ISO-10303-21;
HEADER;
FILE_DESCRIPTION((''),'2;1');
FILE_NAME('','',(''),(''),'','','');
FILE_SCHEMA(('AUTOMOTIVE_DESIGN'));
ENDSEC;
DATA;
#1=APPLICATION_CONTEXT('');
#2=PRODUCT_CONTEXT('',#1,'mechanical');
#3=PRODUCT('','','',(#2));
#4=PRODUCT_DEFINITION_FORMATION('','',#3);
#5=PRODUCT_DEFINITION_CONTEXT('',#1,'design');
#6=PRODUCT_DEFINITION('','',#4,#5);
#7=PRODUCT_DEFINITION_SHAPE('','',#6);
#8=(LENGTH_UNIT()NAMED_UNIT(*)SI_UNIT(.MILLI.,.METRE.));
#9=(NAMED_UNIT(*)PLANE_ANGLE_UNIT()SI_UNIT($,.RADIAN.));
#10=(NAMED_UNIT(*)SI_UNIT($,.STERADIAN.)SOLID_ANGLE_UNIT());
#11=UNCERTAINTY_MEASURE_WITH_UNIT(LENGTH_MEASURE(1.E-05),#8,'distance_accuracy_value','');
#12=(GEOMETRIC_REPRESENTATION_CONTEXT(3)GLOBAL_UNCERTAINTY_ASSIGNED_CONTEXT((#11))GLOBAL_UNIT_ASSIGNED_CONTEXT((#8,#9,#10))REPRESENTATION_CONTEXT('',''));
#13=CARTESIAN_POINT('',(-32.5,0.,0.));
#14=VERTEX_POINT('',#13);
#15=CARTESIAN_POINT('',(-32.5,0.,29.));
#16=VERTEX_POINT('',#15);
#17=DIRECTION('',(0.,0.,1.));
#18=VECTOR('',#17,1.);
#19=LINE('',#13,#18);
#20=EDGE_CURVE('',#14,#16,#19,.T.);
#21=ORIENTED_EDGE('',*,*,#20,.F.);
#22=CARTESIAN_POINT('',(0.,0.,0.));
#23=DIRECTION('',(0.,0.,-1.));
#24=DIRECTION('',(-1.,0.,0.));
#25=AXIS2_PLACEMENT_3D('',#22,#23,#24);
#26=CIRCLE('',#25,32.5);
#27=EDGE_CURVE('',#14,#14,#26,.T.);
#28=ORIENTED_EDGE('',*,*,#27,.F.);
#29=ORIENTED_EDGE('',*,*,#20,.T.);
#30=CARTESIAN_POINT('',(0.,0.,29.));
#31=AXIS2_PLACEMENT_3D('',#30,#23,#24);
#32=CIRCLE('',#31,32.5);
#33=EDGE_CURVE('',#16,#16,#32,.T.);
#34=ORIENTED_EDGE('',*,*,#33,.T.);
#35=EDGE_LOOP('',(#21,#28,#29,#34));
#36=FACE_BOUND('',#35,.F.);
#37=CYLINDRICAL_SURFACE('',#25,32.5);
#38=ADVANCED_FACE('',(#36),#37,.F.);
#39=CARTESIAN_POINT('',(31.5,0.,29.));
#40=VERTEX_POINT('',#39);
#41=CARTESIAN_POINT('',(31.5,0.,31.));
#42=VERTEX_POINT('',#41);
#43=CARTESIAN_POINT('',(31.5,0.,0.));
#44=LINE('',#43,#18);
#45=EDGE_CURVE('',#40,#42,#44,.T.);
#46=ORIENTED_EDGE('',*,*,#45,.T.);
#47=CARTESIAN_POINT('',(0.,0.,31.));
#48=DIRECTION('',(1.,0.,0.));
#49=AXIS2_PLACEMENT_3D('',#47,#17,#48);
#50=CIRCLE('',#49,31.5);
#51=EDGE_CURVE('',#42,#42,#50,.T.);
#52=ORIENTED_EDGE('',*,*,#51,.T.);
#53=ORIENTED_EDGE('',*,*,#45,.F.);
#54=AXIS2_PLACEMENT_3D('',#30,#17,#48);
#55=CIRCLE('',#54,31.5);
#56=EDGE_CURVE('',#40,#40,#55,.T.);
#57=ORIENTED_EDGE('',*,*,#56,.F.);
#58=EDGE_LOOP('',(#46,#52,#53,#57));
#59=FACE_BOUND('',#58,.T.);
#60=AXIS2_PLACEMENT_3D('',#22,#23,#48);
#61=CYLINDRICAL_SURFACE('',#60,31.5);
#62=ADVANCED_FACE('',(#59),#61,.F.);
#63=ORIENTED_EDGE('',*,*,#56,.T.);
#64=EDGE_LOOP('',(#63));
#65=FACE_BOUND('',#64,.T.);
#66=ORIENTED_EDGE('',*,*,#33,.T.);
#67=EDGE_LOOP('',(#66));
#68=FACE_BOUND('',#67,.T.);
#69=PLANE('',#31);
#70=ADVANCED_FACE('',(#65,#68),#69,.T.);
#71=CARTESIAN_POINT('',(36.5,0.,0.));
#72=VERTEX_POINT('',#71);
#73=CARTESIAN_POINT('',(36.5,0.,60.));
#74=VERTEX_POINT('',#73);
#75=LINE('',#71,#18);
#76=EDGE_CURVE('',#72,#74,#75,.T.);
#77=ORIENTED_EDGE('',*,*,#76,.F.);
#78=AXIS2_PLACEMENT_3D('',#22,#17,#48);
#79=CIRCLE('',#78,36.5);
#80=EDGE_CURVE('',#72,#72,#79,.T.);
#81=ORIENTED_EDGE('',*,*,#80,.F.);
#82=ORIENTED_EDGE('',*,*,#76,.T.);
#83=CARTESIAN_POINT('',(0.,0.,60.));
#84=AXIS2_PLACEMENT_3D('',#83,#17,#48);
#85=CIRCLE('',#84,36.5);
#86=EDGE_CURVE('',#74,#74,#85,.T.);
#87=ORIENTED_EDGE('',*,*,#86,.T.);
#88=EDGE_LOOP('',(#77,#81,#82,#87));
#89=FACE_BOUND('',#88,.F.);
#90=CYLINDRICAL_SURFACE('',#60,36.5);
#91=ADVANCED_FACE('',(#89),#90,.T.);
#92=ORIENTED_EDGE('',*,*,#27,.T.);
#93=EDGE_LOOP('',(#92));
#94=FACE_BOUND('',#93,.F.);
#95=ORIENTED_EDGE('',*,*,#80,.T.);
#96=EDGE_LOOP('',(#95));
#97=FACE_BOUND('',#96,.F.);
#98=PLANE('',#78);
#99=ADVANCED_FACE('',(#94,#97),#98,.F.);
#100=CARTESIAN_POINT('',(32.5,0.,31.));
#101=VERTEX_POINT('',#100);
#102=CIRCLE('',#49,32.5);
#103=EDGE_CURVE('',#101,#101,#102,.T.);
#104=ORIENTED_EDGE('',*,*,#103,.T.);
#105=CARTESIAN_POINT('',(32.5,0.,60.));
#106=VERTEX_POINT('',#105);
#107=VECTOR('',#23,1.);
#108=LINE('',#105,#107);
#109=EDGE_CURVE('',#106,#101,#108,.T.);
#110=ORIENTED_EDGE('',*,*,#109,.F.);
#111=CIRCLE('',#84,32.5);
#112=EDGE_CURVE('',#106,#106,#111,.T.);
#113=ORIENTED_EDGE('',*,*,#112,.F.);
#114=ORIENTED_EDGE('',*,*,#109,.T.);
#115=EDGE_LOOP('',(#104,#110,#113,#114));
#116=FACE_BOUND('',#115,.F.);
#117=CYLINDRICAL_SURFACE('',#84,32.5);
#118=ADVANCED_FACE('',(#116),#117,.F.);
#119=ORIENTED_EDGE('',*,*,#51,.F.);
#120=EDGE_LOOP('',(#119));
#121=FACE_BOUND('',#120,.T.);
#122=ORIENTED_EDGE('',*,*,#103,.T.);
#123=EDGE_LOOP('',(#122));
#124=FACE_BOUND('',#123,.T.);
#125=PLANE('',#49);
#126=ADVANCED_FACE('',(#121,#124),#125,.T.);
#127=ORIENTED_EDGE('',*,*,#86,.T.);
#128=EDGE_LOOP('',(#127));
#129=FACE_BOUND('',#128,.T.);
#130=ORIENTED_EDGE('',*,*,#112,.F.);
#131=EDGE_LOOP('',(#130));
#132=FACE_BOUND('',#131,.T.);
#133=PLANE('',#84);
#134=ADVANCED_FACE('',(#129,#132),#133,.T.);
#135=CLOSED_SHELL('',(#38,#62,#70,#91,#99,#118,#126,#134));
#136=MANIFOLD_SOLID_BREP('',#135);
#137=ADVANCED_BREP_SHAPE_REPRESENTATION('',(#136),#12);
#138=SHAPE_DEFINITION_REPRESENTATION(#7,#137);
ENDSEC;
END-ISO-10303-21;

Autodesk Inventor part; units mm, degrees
ref_plane "YZ Plane" through (0, 0, 0) normal (1, 0, 0) x (0, 1, 0)
ref_plane "XZ Plane" through (0, 0, 0) normal (0, 1, 0) x (-1, 0, 0)
ref_plane "XY Plane" through (0, 0, 0) normal (0, 0, 1) x (1, 0, 0)
sketch "Sketch1" plane through (0, 0, 0) normal (0, 0, 1) x (1, 0, 0)
  circle A0 centre (0, 0) radius 31.5
  circle A1 centre (0, 0) radius 36.5
  dimension "d0" = 63
  dimension "d1" = 5
extrude "Extrusion1" add sketch "Sketch1" along normal blind 60
sketch "Sketch3" plane through (0, 0, 60) normal (0, 0, 1) x (1, 0, 0)
  circle A0 centre (0, 0) radius 31.5 projected
  circle A1 centre (0, 0) radius 36.5 projected
  circle A2 centre (0, 0) radius 32.5
  dimension "d4" = 65
extrude "Extrusion2" cut sketch "Sketch3" against normal blind 29 contours A2
sketch "Sketch4" plane through (0, 0, 0) normal (0, 0, -1) x (-1, 0, 0)
  circle A0 centre (0, 0) radius 31.5 projected
  circle A1 centre (0, 0) radius 36.5 projected
  circle A2 centre (0, 0) radius 32.5
  dimension "d7" = 65
extrude "Extrusion3" cut sketch "Sketch4" against normal blind 29 contours A2
properties part number "coupler_2in" material "PVC-Piping"
